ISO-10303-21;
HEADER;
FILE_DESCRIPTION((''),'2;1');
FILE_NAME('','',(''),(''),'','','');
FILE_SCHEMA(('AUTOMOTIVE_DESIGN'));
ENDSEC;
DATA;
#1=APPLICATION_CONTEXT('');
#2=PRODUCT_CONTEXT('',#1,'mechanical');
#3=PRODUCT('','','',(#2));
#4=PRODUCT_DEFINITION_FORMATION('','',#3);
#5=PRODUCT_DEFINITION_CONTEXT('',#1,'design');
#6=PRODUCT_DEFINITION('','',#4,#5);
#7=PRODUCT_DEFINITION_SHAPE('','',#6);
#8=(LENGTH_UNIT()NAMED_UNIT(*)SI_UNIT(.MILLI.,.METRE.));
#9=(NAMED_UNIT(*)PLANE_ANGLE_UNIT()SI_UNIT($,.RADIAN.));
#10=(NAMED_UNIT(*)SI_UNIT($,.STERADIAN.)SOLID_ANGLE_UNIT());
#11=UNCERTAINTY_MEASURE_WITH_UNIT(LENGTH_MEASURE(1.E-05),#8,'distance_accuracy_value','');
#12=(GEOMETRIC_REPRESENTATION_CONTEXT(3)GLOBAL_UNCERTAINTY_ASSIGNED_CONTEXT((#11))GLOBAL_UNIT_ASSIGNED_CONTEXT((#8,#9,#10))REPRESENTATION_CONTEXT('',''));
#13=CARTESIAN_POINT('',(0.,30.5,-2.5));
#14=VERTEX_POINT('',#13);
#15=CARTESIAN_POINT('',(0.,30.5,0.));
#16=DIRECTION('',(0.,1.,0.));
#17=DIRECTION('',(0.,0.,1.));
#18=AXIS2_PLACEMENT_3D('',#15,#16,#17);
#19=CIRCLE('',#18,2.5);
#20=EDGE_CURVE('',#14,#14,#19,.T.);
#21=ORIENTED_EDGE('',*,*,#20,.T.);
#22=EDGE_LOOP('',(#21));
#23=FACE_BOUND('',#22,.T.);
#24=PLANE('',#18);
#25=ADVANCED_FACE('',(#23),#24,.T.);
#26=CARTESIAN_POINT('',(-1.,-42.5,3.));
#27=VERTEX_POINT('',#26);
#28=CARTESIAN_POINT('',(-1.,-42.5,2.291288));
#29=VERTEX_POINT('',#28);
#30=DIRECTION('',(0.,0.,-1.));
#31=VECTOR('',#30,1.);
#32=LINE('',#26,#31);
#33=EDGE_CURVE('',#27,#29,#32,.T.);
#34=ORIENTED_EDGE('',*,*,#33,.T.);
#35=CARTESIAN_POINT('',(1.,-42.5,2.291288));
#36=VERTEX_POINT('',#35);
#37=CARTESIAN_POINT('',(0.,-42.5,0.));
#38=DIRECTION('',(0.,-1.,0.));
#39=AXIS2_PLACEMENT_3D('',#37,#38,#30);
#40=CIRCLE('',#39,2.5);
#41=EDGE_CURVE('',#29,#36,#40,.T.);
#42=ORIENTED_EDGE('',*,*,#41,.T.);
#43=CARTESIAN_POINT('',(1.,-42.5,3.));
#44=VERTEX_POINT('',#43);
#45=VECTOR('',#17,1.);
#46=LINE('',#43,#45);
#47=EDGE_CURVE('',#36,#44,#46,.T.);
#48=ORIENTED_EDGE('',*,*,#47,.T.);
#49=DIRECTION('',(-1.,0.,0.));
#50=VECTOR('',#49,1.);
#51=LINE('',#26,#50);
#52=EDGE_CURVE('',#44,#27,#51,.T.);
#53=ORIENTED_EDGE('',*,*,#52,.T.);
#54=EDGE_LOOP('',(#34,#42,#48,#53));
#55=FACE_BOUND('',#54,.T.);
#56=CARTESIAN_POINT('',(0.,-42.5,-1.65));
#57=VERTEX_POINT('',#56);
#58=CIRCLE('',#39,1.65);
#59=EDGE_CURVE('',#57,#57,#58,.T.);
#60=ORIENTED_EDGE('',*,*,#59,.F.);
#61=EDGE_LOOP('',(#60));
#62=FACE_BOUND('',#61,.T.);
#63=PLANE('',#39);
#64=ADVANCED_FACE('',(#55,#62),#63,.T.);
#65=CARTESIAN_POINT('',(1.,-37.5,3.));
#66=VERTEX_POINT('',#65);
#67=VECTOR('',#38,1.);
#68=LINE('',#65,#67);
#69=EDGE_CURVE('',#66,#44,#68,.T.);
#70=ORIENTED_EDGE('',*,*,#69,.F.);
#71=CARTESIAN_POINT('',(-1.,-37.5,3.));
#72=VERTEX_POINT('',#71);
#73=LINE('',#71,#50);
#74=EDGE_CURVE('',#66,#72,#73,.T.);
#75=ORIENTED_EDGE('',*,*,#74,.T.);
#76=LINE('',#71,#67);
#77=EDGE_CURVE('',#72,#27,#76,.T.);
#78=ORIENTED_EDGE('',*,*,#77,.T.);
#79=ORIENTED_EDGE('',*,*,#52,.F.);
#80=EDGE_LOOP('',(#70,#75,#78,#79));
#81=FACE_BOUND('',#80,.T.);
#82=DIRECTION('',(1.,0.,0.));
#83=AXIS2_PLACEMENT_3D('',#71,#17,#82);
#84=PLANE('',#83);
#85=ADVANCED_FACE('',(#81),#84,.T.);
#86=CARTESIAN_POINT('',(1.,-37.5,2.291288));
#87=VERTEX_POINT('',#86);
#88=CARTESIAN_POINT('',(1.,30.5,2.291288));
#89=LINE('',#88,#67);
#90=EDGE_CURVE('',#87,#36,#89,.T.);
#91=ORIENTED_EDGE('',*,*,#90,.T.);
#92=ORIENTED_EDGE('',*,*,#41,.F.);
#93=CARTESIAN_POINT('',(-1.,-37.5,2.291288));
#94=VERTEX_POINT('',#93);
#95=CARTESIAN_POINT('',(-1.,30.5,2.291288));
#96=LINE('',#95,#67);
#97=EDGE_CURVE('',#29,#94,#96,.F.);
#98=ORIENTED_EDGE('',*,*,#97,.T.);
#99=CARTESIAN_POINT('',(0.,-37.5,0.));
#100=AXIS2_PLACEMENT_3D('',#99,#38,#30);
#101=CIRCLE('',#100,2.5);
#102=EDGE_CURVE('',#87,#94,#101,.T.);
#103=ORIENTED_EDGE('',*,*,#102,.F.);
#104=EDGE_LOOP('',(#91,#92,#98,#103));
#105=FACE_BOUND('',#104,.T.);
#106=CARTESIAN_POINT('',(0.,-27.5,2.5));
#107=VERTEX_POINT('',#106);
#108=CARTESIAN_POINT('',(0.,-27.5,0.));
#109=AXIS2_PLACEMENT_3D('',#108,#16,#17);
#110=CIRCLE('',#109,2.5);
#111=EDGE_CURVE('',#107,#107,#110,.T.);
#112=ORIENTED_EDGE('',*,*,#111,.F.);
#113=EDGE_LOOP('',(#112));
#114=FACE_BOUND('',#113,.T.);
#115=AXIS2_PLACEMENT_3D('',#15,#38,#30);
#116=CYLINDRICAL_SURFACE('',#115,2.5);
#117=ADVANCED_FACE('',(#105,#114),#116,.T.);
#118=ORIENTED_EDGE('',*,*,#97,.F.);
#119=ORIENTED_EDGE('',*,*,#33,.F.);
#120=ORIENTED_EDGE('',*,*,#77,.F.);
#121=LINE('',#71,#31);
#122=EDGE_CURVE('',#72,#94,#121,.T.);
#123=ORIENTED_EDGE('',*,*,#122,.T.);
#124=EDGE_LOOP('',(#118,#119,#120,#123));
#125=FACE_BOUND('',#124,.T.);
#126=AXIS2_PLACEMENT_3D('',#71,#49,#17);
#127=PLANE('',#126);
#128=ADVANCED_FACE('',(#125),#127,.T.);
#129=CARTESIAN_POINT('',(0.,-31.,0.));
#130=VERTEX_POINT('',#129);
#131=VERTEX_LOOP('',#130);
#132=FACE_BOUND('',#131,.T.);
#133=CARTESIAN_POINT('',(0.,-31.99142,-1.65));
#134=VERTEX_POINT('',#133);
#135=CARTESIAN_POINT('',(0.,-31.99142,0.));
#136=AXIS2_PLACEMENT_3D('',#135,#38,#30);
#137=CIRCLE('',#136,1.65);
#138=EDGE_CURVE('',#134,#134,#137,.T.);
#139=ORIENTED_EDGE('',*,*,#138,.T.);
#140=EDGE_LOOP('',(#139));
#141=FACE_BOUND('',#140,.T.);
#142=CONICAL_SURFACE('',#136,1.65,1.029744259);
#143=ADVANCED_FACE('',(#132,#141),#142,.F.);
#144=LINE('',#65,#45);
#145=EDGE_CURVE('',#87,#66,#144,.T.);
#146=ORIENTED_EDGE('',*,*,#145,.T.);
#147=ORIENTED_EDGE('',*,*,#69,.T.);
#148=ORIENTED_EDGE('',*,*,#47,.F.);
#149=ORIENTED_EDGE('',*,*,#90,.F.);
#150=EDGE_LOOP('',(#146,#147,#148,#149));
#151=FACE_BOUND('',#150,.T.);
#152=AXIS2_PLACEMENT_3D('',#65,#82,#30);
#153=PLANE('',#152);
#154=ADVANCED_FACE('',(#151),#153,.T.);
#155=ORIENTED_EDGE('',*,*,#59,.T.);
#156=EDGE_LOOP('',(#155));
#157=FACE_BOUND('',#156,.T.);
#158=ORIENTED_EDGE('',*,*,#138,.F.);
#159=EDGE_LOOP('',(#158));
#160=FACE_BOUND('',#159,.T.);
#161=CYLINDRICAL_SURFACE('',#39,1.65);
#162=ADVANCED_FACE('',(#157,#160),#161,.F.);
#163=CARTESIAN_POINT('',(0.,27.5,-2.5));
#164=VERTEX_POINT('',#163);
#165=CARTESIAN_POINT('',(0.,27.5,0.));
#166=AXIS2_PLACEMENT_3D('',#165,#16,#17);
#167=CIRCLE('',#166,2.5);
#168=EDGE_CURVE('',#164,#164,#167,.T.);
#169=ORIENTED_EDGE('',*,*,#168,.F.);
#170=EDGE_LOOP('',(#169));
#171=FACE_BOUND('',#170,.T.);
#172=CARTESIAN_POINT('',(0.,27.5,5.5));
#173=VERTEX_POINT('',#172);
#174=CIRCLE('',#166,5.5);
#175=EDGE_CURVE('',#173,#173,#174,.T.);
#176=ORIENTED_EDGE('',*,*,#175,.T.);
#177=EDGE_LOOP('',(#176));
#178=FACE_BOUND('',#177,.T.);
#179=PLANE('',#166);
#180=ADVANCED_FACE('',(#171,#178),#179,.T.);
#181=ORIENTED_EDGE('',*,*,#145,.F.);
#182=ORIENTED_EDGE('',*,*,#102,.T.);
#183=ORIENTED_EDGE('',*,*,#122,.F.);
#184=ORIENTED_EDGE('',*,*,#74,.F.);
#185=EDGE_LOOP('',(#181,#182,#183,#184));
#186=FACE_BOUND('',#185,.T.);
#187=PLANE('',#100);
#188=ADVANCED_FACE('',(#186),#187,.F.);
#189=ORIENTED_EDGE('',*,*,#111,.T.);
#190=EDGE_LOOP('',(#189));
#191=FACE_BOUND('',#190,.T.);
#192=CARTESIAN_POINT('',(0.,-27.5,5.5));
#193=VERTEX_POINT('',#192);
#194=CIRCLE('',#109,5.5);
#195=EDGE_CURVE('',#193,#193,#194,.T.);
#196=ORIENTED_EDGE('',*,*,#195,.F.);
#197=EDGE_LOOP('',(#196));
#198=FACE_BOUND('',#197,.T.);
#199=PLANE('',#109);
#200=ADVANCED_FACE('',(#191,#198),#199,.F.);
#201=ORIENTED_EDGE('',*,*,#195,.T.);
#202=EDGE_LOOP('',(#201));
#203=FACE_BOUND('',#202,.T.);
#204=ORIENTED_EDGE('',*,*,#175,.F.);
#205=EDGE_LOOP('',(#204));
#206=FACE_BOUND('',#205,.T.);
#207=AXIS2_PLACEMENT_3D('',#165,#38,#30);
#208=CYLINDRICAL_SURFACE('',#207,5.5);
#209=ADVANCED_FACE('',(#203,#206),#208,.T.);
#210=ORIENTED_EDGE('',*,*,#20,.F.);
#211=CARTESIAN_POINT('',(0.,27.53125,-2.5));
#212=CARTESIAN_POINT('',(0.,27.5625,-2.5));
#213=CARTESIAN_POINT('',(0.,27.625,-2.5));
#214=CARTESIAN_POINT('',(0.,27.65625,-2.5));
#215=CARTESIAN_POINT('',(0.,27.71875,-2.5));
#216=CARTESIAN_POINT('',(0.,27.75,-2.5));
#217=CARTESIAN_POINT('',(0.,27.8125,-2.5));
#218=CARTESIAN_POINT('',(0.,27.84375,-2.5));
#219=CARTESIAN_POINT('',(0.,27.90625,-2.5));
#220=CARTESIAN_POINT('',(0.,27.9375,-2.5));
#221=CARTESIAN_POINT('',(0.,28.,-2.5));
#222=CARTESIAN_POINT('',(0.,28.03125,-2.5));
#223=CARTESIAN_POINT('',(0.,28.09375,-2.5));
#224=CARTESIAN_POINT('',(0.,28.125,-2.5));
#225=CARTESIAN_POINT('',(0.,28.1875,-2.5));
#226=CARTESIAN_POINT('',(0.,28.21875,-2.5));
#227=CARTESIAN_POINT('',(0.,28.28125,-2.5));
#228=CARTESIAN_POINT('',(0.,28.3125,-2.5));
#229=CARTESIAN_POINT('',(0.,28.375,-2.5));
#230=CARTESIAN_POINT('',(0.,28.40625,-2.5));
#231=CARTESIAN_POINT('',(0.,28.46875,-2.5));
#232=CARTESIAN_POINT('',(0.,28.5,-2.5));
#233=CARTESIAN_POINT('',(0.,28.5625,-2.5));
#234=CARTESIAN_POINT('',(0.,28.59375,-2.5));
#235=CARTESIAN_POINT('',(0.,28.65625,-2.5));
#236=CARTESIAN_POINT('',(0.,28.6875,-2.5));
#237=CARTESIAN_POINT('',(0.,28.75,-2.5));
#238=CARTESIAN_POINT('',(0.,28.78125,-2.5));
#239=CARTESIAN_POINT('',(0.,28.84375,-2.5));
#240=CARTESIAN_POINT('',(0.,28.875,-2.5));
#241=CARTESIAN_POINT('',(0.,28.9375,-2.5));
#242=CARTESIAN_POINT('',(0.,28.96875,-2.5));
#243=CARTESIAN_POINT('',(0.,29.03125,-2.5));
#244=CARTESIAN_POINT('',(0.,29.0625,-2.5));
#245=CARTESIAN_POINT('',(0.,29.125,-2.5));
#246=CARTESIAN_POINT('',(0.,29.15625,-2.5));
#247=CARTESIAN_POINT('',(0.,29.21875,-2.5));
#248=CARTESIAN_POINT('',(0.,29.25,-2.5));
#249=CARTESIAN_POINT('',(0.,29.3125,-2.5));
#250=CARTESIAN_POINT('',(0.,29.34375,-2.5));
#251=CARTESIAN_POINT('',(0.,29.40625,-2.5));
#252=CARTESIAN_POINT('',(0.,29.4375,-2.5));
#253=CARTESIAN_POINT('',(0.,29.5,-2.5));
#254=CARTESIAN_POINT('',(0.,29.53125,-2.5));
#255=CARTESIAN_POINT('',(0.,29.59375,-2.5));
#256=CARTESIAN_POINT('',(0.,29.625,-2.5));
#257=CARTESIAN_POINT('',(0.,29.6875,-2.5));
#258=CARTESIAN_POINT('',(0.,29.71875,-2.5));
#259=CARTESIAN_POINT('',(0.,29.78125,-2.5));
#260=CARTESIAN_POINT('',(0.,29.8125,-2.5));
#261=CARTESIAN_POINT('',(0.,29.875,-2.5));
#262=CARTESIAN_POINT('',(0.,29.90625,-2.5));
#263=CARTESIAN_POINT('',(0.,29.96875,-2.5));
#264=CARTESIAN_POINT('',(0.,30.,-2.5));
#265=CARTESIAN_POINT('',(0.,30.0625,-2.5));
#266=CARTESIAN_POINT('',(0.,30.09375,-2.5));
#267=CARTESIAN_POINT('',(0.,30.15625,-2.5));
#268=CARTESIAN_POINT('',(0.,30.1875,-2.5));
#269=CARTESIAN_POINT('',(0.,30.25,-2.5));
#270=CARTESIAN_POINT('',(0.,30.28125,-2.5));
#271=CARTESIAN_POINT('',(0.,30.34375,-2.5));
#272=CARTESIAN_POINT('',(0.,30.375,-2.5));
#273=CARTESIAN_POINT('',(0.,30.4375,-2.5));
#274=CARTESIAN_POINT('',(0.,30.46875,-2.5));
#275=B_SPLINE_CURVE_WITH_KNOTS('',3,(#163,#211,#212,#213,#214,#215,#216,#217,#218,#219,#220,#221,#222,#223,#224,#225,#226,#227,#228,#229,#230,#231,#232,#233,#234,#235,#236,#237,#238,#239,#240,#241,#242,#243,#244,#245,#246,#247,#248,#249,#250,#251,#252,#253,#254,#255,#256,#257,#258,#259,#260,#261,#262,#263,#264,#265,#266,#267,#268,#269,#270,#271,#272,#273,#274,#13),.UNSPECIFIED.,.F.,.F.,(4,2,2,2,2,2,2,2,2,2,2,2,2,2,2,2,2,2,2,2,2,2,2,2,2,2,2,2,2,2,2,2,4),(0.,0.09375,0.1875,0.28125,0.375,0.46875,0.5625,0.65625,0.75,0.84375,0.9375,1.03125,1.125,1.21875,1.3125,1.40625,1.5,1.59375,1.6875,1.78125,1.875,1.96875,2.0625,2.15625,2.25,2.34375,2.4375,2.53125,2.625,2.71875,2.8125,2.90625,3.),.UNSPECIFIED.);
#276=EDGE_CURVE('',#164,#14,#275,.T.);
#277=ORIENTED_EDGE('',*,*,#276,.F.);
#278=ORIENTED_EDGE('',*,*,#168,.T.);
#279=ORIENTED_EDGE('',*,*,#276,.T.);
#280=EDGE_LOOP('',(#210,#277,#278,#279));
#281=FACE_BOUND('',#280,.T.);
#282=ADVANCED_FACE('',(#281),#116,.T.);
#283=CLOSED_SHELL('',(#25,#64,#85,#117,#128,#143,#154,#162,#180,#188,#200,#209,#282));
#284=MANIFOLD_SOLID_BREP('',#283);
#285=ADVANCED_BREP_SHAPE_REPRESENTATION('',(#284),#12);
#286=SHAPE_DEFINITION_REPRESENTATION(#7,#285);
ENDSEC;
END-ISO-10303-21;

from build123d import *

# Parameters (mm, degrees)
SKETCH_1_R             = 2.5
EXTRUDE_1_DEPTH        = 30.5
SKETCH_2_R             = 5.5
EXTRUDE_2_DEPTH        = 27.5
SKETCH_3_R             = 2.5
EXTRUDE_3_DEPTH        = 12
SKETCH_4_W             = 2
SKETCH_4_H             = 1
EXTRUDE_4_DEPTH        = 5
HOLE_WIZARD_M4_1_D     = 3.3
HOLE_WIZARD_M4_1_DEPTH = 10.508579979
HOLE_WIZARD_M4_1_TIP   = 0.991420021


with BuildPart() as part:
    # 草图1 → 凸台-拉伸1 (new, symmetric)
    with BuildSketch(Plane(origin=(0, 0, 0), x_dir=(1, 0, 0), z_dir=(0, 1, 0))):
        with Locations(Location((0, 0, 0), (0, 0, 90))):
            Circle(SKETCH_1_R)
    extrude(amount=EXTRUDE_1_DEPTH, both=True)

    # 草图2 → 凸台-拉伸2 (add, symmetric)
    with BuildSketch(Plane(origin=(0, 0, 0), x_dir=(1, 0, 0), z_dir=(0, 1, 0))):
        with Locations(Location((0, 0, 0), (0, 0, 270))):
            Circle(SKETCH_2_R)
    extrude(amount=EXTRUDE_2_DEPTH, both=True)

    # 草图3 → 凸台-拉伸3 (add)
    with BuildSketch(Plane.XZ.offset(30.5)):
        with Locations(Location((0, 0, 0), (0, 0, 270))):
            Circle(SKETCH_3_R)
    extrude(amount=EXTRUDE_3_DEPTH)

    # 草图4 → 凸台-拉伸4 (add)
    with BuildSketch(Plane.XZ.offset(42.5)):
        with Locations((0, 2.5)):
            Rectangle(SKETCH_4_W, SKETCH_4_H)
    extrude(amount=-EXTRUDE_4_DEPTH)

    # M4 螺纹孔1
    with Locations(Plane(origin=(0, -42.5, 0), x_dir=(-1, 0, 0), z_dir=(0, -1, 0))):
        with Locations((0, 0)):
            Hole(HOLE_WIZARD_M4_1_D / 2, depth=HOLE_WIZARD_M4_1_DEPTH)
            with Locations((0, 0, -(HOLE_WIZARD_M4_1_DEPTH + HOLE_WIZARD_M4_1_TIP / 2))):  # 118° drill point
                Cone(0, HOLE_WIZARD_M4_1_D / 2, HOLE_WIZARD_M4_1_TIP, mode=Mode.SUBTRACT)


solid = part.part
